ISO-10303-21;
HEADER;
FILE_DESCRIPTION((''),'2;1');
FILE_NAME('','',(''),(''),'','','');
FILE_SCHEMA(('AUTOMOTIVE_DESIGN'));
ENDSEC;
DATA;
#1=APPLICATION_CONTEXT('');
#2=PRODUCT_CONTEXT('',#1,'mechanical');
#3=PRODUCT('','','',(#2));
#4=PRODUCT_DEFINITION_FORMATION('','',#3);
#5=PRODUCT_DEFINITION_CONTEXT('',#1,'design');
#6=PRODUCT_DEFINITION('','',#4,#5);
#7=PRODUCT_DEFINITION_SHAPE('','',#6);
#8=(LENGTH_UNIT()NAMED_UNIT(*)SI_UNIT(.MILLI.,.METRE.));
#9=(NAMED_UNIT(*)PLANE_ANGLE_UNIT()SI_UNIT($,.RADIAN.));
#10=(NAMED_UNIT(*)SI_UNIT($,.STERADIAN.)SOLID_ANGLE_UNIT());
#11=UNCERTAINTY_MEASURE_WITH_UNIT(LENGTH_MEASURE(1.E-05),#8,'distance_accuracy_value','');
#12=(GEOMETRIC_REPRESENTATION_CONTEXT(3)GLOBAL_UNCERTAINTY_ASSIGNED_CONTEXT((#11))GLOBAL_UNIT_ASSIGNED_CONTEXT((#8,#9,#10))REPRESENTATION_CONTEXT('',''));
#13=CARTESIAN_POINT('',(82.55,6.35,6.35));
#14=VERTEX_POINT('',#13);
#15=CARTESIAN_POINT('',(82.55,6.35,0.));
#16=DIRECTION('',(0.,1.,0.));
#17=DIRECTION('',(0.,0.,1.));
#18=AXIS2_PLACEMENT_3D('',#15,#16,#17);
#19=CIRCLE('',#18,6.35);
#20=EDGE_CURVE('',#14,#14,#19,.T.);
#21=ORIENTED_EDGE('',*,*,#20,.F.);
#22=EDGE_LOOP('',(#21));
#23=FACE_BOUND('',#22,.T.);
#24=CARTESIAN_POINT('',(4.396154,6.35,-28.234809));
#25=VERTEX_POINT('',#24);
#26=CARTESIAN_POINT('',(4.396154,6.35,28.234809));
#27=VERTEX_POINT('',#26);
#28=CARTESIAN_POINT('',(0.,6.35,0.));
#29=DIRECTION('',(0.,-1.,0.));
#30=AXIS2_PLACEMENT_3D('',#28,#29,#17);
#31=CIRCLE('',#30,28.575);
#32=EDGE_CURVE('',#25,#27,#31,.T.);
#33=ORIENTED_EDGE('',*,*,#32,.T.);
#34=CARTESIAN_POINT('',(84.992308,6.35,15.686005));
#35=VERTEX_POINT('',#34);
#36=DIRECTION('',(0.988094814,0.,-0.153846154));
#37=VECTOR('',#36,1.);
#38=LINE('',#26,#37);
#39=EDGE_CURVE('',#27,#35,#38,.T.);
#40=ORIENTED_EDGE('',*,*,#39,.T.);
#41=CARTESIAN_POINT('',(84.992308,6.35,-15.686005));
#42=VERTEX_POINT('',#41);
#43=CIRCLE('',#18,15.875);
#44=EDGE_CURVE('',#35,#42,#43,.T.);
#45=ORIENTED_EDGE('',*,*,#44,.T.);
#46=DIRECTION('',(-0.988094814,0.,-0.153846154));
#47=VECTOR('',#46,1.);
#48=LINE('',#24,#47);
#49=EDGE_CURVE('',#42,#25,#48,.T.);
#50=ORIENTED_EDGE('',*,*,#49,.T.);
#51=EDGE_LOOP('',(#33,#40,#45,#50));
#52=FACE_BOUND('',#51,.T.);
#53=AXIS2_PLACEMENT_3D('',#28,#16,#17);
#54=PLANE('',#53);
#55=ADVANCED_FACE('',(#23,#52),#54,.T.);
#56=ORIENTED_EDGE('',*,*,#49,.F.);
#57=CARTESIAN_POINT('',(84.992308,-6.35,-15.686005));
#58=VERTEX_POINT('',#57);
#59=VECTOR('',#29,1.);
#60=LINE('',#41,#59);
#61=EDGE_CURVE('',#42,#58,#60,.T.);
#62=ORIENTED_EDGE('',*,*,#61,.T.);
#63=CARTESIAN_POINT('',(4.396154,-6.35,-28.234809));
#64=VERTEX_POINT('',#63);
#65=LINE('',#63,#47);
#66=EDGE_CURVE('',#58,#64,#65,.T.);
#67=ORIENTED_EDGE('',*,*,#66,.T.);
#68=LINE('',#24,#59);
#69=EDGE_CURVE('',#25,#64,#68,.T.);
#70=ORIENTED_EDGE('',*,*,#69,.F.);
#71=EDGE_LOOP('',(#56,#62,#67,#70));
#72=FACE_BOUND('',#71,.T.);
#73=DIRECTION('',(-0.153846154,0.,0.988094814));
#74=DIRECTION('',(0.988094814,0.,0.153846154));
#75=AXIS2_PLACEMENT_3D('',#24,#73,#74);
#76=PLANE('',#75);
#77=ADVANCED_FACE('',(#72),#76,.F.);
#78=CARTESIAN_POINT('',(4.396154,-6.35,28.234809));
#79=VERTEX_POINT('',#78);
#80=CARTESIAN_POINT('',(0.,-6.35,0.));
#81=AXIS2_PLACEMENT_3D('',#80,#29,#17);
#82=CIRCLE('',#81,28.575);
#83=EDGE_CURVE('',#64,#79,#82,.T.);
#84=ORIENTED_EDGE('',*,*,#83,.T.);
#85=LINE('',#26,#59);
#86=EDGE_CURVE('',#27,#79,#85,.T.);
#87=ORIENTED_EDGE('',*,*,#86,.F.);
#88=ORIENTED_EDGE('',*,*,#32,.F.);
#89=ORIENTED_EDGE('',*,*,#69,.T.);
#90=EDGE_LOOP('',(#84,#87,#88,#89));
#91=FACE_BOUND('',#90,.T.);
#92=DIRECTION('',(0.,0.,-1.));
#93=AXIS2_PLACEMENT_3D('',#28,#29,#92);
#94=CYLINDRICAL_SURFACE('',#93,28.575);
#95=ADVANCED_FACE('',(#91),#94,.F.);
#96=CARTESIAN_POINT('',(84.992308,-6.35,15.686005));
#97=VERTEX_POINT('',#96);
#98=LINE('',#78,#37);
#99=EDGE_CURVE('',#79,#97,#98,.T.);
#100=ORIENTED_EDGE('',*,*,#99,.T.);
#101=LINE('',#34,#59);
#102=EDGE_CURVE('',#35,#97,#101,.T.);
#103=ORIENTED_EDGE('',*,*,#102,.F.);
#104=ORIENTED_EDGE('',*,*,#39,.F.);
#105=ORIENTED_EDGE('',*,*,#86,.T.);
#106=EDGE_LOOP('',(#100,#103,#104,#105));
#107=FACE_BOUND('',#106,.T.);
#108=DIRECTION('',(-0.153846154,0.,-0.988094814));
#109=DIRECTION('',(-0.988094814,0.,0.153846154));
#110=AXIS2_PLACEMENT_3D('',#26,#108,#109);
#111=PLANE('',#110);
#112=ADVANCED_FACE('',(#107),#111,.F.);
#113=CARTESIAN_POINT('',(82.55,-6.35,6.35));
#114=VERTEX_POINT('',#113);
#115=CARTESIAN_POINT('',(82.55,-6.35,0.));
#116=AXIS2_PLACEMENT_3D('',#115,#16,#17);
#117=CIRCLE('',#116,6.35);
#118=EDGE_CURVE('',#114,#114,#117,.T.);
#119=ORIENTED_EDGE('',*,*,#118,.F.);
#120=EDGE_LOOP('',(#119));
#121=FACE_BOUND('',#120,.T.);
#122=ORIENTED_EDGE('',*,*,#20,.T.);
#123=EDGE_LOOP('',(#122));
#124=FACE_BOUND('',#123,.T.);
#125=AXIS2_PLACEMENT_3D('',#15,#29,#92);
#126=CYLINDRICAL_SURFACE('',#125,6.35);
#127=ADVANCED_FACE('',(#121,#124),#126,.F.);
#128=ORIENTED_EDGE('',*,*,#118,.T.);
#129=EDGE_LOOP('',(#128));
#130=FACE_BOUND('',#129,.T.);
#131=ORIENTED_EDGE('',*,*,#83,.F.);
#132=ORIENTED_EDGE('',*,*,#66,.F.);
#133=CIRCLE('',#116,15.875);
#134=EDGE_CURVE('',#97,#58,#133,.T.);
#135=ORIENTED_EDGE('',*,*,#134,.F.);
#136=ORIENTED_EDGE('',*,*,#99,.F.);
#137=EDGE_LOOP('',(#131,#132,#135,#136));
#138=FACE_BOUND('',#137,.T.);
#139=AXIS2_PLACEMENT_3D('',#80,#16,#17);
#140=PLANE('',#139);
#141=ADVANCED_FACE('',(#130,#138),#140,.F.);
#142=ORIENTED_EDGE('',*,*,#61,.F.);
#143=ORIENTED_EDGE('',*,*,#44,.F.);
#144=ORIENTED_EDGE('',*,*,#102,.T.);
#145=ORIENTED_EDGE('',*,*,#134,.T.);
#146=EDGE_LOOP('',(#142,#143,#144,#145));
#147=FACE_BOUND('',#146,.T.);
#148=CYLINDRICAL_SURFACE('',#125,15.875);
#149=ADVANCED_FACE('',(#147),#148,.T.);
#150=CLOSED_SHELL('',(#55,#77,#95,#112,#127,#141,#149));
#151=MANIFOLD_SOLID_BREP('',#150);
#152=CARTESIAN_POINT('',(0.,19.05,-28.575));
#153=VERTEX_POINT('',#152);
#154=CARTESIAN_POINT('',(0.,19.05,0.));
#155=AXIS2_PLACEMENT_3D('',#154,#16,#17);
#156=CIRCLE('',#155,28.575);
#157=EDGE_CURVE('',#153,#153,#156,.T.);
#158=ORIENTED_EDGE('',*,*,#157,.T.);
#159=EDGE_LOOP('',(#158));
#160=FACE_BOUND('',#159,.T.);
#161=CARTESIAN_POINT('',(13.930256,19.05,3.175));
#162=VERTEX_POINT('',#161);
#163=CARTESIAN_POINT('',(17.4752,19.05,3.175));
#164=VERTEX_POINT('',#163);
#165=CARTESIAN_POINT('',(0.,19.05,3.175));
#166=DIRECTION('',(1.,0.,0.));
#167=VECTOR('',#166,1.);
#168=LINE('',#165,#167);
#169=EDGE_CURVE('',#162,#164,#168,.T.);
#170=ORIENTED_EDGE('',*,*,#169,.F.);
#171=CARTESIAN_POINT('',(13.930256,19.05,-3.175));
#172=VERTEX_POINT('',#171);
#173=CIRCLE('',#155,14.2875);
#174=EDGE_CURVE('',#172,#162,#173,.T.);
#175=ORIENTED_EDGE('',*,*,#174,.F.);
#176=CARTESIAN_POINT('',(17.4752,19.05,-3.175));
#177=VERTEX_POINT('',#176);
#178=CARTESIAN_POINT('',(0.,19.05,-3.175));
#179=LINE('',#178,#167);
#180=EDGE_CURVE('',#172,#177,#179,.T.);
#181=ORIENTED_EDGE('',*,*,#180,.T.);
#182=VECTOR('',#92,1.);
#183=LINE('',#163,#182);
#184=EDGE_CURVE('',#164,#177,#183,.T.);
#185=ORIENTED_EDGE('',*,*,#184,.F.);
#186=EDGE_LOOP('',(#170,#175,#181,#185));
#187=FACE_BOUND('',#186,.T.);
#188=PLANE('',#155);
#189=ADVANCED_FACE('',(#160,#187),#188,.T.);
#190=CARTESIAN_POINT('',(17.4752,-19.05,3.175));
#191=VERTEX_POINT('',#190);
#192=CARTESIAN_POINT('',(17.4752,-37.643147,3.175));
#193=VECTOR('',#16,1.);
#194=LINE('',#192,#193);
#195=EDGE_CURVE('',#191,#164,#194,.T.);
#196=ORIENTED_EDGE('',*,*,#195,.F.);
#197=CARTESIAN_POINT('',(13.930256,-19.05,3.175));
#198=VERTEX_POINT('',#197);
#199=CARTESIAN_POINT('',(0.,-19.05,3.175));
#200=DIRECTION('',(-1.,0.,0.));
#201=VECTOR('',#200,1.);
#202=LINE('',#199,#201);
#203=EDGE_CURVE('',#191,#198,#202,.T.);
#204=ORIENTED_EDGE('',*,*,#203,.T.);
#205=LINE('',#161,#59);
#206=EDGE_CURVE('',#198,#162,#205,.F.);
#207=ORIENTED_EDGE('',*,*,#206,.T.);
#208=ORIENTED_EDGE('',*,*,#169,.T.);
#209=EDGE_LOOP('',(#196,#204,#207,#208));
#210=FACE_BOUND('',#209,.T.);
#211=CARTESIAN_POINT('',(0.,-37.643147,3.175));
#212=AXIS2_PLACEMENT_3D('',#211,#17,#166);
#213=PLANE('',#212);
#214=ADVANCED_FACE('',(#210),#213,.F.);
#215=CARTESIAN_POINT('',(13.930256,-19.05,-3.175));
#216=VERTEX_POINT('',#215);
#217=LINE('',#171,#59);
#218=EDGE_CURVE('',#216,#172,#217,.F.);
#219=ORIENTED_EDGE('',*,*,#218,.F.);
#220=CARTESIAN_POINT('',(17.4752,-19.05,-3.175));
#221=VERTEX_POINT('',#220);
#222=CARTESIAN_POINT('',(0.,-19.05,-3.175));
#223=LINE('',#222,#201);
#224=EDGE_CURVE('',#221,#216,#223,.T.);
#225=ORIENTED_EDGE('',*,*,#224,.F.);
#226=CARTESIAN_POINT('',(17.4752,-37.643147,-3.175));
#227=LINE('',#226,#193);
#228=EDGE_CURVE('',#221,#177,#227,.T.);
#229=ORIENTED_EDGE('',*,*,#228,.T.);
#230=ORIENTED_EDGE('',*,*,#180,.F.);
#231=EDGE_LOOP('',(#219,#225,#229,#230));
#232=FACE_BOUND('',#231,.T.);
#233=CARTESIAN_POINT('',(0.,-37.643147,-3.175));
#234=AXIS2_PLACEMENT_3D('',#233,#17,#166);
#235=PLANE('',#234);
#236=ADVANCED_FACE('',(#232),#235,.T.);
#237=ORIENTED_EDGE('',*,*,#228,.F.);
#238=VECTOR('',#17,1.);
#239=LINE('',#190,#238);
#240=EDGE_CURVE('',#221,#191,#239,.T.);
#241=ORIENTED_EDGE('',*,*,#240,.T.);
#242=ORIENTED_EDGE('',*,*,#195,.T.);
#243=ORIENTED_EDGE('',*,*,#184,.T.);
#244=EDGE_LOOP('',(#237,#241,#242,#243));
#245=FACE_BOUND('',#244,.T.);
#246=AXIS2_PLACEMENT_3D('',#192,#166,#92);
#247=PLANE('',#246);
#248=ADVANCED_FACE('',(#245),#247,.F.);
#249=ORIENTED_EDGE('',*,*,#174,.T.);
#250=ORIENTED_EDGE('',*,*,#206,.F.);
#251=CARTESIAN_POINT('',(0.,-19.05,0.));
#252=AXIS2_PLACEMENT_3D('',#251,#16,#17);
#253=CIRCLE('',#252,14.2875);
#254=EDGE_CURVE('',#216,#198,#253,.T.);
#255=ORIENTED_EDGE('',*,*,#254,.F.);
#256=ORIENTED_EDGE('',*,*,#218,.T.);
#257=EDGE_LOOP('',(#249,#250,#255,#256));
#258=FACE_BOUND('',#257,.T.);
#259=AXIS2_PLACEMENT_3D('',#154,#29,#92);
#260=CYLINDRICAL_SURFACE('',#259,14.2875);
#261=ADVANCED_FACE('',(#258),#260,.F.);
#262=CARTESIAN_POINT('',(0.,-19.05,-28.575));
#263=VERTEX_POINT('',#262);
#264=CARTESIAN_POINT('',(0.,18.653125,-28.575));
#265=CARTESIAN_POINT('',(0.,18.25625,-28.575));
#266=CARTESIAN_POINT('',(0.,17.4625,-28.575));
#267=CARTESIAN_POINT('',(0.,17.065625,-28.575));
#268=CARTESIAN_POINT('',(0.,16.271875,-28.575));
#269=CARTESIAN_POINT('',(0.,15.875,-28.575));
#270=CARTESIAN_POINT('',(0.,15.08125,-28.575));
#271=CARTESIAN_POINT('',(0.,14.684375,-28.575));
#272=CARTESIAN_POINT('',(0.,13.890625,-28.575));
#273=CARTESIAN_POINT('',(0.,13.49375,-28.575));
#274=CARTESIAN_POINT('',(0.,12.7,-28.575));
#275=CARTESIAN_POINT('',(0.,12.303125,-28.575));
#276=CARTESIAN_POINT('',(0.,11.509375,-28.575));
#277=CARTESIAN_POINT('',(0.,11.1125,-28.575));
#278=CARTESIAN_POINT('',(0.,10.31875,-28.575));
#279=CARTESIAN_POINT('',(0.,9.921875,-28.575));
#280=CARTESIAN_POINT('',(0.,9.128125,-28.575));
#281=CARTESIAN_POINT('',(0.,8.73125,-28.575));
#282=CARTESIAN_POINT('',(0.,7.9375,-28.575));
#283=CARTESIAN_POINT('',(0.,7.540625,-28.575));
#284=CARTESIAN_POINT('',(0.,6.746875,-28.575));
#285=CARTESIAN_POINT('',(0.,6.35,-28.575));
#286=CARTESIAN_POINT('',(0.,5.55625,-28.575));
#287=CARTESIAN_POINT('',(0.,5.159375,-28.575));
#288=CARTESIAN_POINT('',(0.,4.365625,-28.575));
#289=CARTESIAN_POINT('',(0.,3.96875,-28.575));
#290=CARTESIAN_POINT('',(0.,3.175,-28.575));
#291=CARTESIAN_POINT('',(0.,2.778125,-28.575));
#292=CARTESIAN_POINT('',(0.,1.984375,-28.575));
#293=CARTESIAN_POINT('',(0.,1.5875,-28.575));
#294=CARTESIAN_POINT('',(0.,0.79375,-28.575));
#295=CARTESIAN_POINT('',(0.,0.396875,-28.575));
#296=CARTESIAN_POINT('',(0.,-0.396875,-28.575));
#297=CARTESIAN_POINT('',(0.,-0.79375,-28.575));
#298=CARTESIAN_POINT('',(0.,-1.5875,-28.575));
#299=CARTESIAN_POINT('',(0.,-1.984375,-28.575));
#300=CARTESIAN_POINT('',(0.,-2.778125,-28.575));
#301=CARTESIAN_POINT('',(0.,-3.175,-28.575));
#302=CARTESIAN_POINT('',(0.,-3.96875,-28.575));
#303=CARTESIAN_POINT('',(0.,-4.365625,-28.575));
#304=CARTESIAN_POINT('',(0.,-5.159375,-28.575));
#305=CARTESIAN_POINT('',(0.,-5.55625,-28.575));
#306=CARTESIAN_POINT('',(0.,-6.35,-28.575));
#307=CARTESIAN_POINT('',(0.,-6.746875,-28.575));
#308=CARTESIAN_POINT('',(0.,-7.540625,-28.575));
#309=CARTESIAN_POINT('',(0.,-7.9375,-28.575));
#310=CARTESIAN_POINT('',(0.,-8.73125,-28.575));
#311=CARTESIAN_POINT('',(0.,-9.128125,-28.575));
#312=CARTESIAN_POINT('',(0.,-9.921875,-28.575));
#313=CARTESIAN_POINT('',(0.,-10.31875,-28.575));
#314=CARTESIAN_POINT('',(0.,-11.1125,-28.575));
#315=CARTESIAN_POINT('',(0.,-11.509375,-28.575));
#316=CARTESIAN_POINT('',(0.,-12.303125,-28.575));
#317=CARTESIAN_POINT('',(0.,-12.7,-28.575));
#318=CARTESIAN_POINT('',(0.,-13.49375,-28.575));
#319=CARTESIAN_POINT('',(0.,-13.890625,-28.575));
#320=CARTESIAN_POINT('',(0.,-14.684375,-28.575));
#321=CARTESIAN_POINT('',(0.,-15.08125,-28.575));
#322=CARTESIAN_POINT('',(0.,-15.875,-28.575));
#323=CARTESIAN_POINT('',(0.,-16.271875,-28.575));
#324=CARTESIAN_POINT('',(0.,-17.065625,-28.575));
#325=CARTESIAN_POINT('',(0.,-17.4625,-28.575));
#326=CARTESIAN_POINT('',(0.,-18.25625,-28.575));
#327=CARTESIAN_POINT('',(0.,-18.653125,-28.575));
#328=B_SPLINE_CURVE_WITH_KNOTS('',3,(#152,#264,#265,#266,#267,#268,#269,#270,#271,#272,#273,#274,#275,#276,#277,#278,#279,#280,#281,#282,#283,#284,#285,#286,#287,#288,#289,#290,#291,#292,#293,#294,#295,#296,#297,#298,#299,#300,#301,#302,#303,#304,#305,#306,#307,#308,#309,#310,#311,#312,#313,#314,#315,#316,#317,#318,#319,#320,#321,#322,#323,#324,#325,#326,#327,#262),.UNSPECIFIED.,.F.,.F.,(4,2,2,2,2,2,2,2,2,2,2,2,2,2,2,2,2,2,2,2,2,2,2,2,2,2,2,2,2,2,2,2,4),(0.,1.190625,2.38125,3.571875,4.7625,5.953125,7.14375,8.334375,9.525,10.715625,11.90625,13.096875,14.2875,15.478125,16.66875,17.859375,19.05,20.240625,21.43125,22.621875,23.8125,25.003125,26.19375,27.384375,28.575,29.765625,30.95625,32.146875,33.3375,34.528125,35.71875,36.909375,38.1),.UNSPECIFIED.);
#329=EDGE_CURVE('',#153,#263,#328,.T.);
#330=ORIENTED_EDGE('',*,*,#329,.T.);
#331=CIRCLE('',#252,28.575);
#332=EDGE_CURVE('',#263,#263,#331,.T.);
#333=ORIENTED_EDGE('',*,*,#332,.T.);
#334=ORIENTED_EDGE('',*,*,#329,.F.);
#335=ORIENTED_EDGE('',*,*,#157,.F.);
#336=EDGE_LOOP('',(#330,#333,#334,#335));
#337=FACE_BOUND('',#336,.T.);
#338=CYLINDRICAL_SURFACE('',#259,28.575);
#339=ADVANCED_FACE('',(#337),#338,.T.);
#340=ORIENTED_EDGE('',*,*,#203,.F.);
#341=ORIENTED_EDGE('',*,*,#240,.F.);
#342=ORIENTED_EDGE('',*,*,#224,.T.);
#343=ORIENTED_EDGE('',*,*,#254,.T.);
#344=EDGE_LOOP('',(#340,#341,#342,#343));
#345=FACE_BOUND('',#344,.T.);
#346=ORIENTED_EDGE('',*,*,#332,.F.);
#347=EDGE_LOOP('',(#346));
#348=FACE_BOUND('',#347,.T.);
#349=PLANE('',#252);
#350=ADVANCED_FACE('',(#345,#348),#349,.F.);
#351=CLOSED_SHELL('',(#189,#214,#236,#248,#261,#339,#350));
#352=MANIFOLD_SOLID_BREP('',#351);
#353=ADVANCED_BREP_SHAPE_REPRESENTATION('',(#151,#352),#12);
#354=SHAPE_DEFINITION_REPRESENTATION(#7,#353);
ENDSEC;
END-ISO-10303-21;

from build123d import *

# Parameters (mm, degrees)
SKETCH4_R           = 28.575
SKETCH4_R_2         = 14.2875
BOSS_EXTRUDE1_DEPTH = 19.05
SKETCH5_R           = 6.35
BOSS_EXTRUDE2_DEPTH = 6.35
SKETCH6_W           = 17.4752
SKETCH6_H           = 6.35
CUT_EXTRUDE2_DEPTH  = 38.1


with BuildPart() as part:
    # Sketch4 → Boss-Extrude1 (new, symmetric)
    with BuildSketch(Plane(origin=(0, 0, 0), x_dir=(1, 0, 0), z_dir=(0, 1, 0))):
        with Locations(Location((0, 0, 0), (0, 0, 90))):
            Circle(SKETCH4_R)
        with Locations(Location((0, 0, 0), (0, 0, 90))):
            Circle(SKETCH4_R_2, mode=Mode.SUBTRACT)
    extrude(amount=BOSS_EXTRUDE1_DEPTH, both=True)

    # Sketch6 → Cut-Extrude2 (cut)
    with BuildSketch(Plane(origin=(0, 19.05, 0), x_dir=(1, 0, 0), z_dir=(0, 1, 0))):
        with Locations((8.7376, 0)):
            Rectangle(SKETCH6_W, SKETCH6_H)
    extrude(amount=-CUT_EXTRUDE2_DEPTH, mode=Mode.SUBTRACT)


with BuildPart() as body_2:
    # Sketch5 → Boss-Extrude2 (new, symmetric)
    with BuildSketch(Plane(origin=(0, 0, 0), x_dir=(1, 0, 0), z_dir=(0, 1, 0))):
        with BuildLine():
            Line((4.396153846, 28.234809303), (84.992307692, 15.686005168))
            ThreePointArc((84.992307692, 15.686005168), (98.425, 0), (84.992307692, -15.686005168))
            Line((84.992307692, -15.686005168), (4.396153846, -28.234809303))
            ThreePointArc((4.396153846, -28.234809303), (28.575, 0), (4.396153846, 28.234809303))
        make_face()
        with Locations(Location((82.55, 0, 0), (0, 0, 270))):
            Circle(SKETCH5_R, mode=Mode.SUBTRACT)
    extrude(amount=BOSS_EXTRUDE2_DEPTH, both=True)


solid = Compound([part.part, body_2.part])
